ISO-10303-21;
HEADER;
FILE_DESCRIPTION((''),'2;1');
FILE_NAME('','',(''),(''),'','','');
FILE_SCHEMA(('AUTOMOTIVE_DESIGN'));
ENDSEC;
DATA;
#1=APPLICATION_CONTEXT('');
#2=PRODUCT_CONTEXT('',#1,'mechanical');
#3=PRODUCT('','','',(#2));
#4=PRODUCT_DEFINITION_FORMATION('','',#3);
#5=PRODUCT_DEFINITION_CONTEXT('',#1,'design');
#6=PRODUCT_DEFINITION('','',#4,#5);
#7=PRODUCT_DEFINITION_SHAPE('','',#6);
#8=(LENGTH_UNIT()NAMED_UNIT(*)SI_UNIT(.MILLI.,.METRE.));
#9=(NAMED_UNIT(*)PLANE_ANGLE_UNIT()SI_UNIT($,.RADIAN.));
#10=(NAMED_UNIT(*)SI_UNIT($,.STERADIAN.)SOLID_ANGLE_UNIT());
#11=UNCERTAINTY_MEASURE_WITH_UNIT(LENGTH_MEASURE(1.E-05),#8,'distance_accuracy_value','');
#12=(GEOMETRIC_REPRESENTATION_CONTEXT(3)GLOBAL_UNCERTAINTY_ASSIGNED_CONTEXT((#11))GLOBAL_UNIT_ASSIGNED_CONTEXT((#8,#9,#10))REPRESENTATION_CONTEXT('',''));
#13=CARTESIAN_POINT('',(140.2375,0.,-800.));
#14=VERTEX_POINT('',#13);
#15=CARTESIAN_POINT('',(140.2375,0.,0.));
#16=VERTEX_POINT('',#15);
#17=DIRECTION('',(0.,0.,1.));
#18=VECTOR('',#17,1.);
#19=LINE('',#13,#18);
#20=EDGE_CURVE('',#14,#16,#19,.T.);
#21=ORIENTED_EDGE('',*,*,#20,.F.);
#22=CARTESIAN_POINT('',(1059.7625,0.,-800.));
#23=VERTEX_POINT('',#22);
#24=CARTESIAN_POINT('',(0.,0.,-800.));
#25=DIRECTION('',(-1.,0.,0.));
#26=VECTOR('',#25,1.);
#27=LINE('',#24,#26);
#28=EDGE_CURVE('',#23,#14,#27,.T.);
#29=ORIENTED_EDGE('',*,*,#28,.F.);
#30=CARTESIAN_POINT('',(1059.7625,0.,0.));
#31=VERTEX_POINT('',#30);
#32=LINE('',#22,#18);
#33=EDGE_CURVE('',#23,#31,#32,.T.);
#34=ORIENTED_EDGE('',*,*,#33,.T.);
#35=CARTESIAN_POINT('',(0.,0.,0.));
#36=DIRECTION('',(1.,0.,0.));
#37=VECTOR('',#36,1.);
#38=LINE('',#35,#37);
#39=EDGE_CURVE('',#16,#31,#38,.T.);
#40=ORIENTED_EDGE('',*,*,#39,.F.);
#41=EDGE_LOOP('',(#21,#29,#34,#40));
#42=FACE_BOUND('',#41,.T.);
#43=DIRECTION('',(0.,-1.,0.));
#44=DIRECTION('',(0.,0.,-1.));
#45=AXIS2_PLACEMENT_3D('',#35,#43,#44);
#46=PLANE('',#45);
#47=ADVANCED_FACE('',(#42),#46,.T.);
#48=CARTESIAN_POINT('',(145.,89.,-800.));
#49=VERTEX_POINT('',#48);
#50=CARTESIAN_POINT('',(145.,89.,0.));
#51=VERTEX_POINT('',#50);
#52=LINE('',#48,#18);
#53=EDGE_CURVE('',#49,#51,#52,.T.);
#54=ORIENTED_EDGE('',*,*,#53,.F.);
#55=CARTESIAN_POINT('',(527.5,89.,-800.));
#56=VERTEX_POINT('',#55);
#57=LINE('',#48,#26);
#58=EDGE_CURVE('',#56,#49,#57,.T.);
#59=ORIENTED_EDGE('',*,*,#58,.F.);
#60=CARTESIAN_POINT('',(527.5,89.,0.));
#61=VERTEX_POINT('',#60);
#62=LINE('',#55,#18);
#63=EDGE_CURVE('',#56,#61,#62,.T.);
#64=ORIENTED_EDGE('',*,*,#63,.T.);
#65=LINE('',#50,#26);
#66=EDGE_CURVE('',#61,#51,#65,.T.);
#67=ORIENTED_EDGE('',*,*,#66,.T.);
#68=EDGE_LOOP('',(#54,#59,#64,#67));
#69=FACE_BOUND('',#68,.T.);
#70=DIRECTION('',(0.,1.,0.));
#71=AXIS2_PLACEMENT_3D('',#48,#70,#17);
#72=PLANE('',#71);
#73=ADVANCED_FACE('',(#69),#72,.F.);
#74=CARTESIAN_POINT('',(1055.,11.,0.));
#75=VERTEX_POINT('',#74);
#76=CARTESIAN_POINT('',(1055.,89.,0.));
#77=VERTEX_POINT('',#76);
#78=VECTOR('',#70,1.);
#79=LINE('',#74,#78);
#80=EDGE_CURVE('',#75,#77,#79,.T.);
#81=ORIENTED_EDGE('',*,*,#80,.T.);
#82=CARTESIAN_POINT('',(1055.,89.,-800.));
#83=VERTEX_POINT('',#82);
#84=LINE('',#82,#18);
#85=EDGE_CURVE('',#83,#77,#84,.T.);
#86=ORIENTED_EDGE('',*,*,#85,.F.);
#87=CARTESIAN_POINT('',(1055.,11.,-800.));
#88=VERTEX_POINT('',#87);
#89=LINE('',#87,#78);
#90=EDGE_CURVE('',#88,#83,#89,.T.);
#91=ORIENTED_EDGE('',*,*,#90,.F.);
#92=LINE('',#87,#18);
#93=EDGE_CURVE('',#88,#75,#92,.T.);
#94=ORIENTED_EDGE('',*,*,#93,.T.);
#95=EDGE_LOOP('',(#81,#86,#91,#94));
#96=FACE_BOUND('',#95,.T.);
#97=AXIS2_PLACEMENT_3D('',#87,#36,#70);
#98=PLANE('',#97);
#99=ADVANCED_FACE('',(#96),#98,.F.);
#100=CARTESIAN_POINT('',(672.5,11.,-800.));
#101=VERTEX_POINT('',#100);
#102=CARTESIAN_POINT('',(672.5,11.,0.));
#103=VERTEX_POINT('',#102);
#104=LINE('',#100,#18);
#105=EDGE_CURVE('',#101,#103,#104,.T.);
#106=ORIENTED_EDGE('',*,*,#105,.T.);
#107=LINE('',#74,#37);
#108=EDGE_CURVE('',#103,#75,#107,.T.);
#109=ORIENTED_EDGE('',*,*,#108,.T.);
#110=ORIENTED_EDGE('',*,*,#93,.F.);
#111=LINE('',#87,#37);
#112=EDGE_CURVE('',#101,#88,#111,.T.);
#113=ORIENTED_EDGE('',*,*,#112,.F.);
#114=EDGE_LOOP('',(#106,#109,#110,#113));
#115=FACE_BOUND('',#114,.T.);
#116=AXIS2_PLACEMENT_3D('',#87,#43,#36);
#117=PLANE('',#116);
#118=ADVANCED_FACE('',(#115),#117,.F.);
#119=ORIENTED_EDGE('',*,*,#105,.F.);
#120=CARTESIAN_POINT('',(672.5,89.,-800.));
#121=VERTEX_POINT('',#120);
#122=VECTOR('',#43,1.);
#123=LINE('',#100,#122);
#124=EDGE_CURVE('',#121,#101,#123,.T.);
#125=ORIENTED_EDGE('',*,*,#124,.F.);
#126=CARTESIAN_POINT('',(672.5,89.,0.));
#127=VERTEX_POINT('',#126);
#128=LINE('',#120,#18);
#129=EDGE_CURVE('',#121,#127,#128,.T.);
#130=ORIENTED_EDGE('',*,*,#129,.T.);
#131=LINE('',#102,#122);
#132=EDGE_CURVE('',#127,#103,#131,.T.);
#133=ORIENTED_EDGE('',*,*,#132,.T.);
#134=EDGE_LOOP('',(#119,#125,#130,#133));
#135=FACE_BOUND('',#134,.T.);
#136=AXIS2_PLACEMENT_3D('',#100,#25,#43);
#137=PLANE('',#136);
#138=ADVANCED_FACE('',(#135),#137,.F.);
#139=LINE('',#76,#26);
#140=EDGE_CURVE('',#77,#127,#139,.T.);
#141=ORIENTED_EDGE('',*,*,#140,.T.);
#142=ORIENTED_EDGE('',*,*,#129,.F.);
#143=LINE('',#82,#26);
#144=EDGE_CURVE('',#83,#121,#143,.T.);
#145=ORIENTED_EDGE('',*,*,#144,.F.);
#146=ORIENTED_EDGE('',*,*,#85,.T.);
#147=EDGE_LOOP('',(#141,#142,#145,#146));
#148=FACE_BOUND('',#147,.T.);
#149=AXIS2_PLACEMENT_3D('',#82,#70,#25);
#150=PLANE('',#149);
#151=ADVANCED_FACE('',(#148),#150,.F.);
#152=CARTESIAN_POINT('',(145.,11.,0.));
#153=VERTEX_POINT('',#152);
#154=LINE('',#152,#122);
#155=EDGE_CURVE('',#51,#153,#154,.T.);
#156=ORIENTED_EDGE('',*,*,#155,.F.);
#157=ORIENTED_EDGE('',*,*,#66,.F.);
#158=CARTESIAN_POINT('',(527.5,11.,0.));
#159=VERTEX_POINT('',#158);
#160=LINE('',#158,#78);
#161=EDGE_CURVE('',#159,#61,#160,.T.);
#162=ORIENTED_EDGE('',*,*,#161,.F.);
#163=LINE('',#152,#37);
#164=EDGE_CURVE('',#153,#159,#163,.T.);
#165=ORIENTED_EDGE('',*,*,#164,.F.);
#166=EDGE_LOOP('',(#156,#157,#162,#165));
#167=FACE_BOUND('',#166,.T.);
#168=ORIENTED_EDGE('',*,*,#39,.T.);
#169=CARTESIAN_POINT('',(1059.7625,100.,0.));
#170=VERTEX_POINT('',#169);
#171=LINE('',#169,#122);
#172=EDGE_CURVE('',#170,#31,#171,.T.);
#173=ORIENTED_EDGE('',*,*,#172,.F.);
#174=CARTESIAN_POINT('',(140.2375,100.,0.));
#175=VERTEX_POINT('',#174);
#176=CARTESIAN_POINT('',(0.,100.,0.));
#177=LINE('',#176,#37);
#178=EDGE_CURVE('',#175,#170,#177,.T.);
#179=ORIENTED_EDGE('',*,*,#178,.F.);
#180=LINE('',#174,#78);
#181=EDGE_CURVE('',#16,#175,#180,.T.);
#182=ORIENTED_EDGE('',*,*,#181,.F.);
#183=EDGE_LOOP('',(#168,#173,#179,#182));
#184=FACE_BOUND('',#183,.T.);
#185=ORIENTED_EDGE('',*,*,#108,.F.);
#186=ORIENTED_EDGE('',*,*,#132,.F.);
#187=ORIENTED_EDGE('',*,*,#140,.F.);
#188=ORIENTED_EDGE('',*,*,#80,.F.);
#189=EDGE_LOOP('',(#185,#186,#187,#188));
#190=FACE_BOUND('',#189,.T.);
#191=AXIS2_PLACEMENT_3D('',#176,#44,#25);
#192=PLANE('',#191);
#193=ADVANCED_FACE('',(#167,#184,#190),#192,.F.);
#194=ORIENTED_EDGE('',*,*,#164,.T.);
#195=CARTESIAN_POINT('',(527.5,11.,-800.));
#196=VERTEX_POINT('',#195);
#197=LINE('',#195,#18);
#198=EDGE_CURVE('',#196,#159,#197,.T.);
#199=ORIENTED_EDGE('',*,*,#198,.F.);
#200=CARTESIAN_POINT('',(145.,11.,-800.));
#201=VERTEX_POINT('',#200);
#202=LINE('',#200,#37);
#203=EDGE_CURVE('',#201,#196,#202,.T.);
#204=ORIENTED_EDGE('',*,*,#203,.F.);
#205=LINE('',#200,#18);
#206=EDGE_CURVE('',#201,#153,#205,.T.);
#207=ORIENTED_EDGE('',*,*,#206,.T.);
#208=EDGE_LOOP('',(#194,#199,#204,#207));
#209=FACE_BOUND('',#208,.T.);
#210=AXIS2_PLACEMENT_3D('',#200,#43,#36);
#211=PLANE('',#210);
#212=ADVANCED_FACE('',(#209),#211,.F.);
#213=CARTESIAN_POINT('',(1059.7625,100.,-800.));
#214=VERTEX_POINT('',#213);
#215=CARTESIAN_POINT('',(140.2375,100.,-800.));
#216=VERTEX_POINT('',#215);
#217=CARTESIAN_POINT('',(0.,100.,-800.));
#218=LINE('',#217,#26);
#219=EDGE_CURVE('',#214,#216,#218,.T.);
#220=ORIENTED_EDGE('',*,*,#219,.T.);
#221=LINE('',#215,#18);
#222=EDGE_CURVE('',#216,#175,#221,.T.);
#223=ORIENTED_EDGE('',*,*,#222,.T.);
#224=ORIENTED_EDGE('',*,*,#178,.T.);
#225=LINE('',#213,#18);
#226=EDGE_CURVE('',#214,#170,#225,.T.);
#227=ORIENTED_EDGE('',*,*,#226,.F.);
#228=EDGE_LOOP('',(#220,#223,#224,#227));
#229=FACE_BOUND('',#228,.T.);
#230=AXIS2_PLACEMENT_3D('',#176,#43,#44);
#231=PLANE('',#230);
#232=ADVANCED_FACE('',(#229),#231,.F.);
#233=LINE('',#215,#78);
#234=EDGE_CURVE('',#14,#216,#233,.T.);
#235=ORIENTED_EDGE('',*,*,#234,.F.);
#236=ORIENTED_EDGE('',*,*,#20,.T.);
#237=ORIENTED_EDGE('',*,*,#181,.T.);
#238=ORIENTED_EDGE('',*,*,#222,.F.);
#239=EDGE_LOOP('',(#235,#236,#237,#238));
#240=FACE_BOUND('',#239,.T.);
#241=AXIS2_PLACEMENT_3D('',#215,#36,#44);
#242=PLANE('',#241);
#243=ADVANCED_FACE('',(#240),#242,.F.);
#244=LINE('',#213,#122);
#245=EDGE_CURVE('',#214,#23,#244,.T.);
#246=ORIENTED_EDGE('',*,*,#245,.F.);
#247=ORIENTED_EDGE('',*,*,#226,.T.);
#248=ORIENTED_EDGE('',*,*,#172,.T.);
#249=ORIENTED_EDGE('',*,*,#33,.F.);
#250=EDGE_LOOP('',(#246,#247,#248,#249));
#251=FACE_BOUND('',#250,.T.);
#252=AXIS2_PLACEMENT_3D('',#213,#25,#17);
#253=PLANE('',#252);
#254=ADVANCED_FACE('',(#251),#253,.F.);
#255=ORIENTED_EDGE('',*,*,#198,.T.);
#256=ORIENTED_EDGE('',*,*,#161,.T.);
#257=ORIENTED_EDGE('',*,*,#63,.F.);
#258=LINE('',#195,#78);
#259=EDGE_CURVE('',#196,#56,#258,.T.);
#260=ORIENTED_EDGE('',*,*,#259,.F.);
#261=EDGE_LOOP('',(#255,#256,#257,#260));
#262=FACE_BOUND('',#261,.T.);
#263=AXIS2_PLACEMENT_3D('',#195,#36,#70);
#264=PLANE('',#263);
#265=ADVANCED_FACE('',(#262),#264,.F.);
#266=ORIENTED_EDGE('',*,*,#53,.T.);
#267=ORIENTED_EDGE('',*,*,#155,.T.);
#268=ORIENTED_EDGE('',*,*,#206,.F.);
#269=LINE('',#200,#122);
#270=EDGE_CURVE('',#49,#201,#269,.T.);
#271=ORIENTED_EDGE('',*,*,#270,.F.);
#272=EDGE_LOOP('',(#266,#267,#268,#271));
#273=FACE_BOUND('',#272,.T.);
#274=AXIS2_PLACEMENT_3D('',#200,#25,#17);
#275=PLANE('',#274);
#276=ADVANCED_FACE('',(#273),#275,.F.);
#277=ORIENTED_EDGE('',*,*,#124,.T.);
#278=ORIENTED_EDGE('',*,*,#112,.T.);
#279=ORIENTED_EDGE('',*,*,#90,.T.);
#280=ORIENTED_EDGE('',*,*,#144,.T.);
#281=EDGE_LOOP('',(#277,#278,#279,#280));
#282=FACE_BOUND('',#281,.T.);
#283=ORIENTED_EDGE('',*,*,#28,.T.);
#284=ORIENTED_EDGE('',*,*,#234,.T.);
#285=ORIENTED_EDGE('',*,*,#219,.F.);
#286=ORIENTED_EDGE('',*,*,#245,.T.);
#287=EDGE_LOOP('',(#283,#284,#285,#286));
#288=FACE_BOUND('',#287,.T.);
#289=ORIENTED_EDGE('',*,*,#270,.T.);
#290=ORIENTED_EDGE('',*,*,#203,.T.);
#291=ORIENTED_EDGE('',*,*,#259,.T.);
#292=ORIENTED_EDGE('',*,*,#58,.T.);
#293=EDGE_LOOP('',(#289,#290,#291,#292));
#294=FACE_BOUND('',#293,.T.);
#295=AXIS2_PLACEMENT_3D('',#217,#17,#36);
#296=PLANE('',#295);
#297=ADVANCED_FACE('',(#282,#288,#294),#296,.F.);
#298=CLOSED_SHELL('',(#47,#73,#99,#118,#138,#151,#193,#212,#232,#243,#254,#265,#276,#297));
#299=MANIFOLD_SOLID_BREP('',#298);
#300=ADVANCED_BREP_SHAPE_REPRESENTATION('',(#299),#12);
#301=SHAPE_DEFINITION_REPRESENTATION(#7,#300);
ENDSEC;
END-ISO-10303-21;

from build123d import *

# Parameters (mm, degrees)
CROQUIS1_W              = 1200
CROQUIS1_H              = 800
SALIENTE_EXTRUIR1_DEPTH = 100
CROQUIS2_W              = 382.5
CROQUIS2_H              = 78
CORTAR_EXTRUIR2_DEPTH   = 1446.68322948
CROQUIS3_W              = 140.2375
CROQUIS3_H              = 100
CORTAR_EXTRUIR3_DEPTH   = 1446.68322948


with BuildPart() as part:
    # Croquis1 → Saliente-Extruir1 (new body)
    with BuildSketch(Plane(origin=(0, 0, 0), x_dir=(1, 0, 0), z_dir=(0, 1, 0))):
        with Locations((600, 400)):
            Rectangle(CROQUIS1_W, CROQUIS1_H)
    extrude(amount=SALIENTE_EXTRUIR1_DEPTH)

    # Croquis2 → Cortar-Extruir2 (cut, through all)
    with BuildSketch(Plane.XY):
        with Locations((336.25, 50)):
            Rectangle(CROQUIS2_W, CROQUIS2_H)
        with Locations((863.75, 50)):
            Rectangle(CROQUIS2_W, CROQUIS2_H)
    extrude(amount=-CORTAR_EXTRUIR2_DEPTH, mode=Mode.SUBTRACT)

    # Croquis3 → Cortar-Extruir3 (cut, through all)
    with BuildSketch(Plane.XY):
        with Locations((70.11875, 50)):
            Rectangle(CROQUIS3_W, CROQUIS3_H)
        with Locations((1129.88125, 50)):
            Rectangle(CROQUIS3_W, CROQUIS3_H)
    extrude(amount=-CORTAR_EXTRUIR3_DEPTH, mode=Mode.SUBTRACT)


solid = part.part
